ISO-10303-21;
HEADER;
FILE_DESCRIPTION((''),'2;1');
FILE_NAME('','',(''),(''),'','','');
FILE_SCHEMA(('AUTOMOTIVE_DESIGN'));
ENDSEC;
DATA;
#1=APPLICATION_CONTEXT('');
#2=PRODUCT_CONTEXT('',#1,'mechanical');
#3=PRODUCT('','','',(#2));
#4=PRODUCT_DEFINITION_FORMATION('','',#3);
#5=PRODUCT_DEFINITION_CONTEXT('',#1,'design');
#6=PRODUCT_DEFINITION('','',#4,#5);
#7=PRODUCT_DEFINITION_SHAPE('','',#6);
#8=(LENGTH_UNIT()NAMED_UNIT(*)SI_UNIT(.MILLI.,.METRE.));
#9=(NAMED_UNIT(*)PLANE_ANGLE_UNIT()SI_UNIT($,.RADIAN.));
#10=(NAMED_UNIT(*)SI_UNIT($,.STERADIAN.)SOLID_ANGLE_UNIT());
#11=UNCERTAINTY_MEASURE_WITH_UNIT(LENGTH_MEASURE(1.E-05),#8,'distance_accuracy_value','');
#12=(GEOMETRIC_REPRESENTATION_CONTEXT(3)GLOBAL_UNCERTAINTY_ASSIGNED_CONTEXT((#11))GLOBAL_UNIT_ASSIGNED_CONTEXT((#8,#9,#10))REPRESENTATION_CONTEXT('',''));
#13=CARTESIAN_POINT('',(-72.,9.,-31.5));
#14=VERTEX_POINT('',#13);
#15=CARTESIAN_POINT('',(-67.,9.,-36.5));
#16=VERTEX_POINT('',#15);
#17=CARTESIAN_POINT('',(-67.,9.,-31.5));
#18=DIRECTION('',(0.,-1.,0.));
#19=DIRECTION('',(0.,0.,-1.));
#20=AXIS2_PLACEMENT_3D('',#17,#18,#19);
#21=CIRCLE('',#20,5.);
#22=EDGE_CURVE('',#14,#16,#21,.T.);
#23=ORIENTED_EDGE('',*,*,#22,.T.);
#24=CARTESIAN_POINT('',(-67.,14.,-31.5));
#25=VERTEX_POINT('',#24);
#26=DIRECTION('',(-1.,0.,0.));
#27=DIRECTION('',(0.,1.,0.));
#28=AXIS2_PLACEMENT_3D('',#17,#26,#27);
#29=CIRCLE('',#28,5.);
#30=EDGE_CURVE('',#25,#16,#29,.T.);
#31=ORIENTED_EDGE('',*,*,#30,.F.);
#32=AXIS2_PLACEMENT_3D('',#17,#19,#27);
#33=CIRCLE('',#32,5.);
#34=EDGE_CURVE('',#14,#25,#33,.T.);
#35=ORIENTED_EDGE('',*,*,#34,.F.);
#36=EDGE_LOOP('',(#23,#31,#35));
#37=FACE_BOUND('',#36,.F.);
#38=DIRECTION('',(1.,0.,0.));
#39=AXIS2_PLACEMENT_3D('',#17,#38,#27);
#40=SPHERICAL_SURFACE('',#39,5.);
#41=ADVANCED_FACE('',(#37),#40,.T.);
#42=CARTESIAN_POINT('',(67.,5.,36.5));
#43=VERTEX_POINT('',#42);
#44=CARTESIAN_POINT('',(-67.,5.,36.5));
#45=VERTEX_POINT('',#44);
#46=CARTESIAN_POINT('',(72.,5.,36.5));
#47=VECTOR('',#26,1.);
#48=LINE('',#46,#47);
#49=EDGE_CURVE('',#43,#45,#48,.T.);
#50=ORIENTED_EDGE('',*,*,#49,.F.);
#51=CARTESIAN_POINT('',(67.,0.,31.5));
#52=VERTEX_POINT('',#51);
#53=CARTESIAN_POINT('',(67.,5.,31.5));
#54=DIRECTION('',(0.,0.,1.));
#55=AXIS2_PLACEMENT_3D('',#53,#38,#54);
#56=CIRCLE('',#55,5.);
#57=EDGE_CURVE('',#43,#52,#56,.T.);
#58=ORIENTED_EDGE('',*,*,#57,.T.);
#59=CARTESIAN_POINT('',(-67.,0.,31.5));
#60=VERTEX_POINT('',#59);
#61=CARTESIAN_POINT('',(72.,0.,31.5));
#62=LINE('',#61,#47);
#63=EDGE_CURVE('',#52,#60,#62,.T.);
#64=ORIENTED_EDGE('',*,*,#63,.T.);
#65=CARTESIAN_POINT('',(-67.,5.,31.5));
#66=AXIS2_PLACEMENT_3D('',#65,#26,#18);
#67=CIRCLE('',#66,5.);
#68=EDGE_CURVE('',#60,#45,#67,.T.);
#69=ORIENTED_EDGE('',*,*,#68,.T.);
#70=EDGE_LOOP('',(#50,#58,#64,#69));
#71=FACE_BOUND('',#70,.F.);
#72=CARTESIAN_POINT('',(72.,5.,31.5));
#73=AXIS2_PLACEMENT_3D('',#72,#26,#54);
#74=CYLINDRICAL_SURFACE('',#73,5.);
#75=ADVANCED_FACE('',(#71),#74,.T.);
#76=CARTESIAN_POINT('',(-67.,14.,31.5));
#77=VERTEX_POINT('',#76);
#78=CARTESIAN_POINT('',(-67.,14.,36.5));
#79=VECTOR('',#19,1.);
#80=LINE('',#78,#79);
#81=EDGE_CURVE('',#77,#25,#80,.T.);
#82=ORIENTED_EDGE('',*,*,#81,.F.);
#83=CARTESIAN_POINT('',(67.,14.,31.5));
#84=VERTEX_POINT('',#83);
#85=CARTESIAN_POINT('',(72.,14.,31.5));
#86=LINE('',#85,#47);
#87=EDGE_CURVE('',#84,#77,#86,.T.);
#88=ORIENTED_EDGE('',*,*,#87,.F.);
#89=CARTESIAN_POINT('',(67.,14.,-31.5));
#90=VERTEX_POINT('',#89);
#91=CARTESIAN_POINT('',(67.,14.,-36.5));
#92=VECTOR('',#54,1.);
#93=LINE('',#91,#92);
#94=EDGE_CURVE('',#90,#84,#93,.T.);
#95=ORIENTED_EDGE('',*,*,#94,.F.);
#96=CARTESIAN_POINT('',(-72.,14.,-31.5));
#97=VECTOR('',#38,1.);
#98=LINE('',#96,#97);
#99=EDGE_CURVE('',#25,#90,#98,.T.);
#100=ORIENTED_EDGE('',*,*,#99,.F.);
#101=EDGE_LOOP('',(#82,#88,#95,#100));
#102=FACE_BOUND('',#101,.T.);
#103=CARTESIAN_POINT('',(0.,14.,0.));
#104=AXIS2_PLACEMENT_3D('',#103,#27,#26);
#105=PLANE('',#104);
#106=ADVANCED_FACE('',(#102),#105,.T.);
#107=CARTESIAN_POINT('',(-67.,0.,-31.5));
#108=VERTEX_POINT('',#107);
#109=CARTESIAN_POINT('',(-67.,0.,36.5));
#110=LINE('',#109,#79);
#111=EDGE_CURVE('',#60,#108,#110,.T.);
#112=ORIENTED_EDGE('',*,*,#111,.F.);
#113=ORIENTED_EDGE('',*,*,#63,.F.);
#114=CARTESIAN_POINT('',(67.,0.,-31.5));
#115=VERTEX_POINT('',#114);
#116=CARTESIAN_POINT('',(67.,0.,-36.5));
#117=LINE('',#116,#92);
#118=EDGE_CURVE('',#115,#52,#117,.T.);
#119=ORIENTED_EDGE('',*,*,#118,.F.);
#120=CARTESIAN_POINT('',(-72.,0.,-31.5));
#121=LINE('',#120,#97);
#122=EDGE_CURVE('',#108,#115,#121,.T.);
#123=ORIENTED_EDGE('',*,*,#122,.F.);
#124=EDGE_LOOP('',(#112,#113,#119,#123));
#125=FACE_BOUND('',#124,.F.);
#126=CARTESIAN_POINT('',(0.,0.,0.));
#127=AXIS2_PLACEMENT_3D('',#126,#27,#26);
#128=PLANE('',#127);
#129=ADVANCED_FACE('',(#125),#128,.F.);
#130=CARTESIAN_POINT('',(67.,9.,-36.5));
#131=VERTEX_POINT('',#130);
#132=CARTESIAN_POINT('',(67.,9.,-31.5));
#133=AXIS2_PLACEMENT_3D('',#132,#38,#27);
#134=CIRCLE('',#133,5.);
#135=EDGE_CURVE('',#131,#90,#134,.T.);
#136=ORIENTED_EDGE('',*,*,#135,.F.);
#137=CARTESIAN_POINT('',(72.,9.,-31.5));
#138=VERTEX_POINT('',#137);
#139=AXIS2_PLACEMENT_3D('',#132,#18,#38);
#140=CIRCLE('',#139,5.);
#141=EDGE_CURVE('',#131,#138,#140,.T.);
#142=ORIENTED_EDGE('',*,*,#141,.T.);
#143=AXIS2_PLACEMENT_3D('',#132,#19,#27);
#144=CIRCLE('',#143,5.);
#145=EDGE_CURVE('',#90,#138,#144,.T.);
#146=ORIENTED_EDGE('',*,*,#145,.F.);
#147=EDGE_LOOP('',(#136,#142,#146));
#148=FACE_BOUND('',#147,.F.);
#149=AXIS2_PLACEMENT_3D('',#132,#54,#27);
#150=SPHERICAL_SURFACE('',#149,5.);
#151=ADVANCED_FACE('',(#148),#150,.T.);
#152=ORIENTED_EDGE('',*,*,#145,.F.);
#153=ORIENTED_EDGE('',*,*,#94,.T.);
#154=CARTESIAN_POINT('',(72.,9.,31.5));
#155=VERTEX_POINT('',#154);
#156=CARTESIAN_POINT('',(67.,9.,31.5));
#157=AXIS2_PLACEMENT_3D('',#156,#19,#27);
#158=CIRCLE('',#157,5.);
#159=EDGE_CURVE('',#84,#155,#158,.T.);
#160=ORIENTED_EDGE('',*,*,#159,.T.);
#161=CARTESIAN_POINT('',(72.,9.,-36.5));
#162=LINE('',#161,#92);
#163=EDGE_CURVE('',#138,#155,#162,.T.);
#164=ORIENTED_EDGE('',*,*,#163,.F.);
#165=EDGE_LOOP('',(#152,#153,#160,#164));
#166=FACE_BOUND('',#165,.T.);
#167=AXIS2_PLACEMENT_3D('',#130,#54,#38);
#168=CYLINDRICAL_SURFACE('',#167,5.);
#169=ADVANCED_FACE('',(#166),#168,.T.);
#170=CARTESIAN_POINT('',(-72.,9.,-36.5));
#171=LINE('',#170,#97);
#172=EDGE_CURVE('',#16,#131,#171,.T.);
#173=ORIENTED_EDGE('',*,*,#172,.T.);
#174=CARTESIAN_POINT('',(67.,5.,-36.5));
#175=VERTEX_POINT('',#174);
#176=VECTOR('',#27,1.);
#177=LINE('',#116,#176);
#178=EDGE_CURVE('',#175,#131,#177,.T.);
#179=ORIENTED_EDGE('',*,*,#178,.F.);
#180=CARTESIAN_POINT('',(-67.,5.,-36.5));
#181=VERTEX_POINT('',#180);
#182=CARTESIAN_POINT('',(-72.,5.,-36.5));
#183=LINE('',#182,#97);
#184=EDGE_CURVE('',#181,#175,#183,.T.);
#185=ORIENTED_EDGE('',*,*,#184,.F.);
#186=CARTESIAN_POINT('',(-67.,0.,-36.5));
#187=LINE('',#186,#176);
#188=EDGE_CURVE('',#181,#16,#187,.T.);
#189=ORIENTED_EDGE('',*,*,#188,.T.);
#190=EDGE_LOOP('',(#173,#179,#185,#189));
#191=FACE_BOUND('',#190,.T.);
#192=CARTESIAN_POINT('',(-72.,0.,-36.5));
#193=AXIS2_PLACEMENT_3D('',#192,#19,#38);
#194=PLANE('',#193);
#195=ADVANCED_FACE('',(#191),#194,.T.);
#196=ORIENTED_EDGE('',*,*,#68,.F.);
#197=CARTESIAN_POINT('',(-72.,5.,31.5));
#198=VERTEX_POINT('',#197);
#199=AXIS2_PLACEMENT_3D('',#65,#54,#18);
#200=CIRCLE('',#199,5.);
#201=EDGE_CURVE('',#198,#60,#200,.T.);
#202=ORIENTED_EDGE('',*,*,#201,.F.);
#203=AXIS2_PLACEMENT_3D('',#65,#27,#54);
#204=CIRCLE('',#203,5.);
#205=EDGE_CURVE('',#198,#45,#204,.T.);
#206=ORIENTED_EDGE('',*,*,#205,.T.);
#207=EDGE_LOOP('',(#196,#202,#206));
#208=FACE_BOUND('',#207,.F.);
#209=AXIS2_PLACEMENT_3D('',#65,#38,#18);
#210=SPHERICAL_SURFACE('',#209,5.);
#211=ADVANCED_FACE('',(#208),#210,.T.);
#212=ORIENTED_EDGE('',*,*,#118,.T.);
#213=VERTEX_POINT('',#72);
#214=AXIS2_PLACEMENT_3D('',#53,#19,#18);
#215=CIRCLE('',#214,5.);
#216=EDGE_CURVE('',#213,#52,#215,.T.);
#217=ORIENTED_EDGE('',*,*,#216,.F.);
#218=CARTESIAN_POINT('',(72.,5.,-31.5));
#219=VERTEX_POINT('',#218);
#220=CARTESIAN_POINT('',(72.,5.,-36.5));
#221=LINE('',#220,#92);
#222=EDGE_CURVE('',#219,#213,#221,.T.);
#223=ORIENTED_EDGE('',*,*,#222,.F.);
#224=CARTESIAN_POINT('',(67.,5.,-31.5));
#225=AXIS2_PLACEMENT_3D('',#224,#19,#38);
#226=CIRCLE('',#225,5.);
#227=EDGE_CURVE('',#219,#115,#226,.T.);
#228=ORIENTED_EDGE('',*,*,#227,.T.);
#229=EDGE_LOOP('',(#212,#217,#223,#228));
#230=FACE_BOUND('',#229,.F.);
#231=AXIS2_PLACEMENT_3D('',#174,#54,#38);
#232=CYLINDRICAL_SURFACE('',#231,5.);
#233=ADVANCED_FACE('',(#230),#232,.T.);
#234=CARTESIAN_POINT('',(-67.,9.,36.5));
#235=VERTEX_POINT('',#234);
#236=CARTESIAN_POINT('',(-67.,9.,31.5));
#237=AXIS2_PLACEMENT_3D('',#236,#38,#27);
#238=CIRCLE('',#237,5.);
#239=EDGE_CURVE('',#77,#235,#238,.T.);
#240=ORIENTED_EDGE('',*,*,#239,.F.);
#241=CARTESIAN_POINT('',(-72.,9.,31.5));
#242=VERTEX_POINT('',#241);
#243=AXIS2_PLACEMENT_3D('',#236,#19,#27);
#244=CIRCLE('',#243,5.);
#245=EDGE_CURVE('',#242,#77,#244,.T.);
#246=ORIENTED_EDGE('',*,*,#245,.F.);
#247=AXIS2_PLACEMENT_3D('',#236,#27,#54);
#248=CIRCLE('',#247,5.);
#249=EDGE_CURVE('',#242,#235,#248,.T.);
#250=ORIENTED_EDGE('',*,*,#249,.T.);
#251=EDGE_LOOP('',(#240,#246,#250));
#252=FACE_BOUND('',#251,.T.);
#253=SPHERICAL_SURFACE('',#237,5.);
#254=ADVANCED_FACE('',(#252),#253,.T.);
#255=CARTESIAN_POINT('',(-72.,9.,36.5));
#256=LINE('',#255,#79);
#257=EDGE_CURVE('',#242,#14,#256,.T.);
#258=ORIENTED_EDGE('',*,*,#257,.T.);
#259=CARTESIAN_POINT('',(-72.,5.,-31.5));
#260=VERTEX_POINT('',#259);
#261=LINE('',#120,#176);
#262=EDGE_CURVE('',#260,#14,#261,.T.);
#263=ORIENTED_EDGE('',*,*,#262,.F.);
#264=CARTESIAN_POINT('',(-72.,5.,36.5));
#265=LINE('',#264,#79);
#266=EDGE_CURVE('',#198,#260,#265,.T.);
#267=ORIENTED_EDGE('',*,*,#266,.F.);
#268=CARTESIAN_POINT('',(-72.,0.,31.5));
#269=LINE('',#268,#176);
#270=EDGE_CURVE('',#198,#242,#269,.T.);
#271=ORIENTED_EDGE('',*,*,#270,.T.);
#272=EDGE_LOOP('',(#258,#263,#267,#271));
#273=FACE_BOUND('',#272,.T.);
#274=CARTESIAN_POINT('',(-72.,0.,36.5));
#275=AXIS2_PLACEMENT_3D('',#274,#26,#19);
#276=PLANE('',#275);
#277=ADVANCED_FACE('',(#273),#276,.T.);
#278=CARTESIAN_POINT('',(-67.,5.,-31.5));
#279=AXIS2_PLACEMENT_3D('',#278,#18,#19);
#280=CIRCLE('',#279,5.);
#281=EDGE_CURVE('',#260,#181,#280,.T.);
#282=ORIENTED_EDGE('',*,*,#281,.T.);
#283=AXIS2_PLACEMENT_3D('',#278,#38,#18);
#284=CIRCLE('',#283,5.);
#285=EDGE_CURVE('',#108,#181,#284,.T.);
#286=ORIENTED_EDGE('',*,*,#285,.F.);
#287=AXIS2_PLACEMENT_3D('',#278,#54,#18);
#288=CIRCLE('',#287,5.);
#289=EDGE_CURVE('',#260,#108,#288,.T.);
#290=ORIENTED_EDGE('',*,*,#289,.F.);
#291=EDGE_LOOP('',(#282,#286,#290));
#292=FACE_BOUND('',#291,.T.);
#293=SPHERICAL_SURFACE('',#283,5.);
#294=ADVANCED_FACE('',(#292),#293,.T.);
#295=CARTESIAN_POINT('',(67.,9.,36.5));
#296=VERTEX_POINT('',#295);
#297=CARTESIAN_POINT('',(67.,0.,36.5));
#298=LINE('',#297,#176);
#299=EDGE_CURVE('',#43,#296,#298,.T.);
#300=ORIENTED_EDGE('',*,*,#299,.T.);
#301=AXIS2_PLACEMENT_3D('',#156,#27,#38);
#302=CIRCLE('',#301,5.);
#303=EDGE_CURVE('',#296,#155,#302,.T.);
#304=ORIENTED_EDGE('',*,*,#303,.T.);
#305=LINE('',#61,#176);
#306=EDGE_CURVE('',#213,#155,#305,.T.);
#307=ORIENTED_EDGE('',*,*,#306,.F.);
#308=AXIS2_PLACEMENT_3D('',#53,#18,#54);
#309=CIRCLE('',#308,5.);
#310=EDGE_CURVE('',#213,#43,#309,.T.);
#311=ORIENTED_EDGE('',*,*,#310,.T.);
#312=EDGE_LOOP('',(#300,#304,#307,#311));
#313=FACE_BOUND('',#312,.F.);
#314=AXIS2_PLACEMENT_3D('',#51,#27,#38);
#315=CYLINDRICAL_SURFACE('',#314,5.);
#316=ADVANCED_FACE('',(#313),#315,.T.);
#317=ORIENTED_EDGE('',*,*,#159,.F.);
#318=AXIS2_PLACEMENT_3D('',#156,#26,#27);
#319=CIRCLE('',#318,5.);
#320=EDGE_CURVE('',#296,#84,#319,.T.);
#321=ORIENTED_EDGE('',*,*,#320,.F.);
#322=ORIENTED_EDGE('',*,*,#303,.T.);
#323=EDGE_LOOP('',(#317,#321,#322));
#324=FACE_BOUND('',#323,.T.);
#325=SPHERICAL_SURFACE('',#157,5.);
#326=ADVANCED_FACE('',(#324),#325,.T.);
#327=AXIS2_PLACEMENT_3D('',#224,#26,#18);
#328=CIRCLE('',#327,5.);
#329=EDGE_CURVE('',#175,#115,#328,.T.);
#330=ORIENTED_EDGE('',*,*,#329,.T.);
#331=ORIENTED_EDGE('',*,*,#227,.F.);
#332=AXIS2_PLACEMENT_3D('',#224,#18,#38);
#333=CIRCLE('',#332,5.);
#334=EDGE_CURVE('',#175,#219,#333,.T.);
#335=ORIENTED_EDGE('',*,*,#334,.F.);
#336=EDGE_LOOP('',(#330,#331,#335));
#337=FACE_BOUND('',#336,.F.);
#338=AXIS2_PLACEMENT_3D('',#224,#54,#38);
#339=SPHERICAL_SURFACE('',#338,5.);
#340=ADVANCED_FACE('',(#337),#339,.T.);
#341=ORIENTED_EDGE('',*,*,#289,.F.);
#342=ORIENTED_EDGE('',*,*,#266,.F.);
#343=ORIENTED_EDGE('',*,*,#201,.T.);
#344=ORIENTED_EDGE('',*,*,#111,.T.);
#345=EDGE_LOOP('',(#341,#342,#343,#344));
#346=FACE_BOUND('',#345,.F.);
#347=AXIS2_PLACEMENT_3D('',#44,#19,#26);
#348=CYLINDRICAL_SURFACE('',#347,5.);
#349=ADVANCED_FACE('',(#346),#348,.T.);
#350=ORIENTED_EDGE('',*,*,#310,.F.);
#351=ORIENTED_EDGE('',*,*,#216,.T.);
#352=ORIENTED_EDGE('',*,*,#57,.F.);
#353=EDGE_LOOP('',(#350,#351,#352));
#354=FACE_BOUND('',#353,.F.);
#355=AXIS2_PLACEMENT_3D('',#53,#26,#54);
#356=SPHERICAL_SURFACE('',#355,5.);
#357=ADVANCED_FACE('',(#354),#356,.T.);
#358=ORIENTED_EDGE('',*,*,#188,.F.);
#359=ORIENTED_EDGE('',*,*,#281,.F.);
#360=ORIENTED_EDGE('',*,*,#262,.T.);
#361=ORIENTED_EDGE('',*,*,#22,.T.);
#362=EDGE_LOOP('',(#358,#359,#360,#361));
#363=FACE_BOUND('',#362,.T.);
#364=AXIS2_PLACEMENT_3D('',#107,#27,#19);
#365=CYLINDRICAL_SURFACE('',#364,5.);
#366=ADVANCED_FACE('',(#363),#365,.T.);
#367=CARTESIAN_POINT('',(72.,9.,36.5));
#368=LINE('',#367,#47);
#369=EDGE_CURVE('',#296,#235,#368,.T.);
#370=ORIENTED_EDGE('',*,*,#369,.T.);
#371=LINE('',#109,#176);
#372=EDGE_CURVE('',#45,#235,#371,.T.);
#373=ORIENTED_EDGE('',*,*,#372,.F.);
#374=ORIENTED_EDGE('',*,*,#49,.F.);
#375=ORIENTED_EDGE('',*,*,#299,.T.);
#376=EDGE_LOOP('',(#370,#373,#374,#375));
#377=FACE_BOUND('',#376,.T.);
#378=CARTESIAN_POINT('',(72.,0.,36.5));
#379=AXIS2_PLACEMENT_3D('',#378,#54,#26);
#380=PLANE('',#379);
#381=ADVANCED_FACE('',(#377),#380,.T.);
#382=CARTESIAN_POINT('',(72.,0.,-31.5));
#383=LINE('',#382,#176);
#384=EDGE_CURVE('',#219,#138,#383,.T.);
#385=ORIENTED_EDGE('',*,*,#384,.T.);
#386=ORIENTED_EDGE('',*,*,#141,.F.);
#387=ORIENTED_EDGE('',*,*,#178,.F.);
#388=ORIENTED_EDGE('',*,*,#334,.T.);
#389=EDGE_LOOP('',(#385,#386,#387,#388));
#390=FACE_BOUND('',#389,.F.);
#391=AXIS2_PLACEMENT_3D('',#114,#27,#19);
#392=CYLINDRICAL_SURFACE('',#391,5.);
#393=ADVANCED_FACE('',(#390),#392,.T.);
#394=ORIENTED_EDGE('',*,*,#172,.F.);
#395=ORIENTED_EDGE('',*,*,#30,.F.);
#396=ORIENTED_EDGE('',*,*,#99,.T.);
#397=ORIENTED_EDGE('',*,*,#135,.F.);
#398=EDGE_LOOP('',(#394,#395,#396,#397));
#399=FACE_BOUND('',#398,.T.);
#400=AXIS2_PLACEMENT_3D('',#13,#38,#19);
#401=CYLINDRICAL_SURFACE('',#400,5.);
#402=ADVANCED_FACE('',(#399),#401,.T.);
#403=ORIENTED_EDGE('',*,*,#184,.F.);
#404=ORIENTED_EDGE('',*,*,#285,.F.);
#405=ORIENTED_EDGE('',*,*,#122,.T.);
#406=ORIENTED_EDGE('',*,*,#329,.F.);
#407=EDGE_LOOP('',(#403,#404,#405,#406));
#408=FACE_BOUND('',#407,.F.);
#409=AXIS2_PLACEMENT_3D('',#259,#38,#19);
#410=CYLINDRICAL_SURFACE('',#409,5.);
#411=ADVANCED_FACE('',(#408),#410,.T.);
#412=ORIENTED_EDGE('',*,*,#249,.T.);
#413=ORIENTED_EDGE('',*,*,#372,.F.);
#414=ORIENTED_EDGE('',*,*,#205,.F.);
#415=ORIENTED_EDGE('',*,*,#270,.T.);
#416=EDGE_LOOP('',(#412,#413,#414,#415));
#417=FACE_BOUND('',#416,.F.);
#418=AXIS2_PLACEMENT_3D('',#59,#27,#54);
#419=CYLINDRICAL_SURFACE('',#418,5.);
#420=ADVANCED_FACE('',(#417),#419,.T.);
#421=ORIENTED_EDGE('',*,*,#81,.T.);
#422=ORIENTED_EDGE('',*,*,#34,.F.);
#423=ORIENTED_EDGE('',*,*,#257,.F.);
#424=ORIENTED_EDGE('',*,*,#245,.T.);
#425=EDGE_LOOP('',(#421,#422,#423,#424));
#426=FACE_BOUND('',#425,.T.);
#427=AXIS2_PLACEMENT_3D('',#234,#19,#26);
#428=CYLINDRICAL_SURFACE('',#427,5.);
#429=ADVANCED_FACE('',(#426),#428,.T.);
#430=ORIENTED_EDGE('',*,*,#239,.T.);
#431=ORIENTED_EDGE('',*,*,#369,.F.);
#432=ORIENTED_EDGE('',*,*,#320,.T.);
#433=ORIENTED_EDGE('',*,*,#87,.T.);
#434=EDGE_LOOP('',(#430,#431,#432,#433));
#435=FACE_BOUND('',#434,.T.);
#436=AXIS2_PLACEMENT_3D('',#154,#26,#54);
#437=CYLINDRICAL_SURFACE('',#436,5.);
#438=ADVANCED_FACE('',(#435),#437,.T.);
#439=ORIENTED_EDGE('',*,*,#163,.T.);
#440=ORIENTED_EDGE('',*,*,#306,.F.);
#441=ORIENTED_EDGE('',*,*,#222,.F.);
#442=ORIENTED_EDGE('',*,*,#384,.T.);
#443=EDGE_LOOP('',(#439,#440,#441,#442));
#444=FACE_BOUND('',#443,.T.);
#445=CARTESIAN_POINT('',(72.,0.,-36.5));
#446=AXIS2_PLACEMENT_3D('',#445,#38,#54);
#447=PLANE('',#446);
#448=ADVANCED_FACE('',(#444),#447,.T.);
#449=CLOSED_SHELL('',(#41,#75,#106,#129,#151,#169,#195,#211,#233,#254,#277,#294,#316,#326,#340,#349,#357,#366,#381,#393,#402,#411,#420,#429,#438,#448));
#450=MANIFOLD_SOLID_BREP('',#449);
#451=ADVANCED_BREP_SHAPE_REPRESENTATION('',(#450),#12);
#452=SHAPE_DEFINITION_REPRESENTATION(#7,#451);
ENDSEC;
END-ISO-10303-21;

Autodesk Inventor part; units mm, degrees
ref_plane "YZ Plane" through (0, 0, 0) normal (1, 0, 0) x (0, 1, 0)
ref_plane "XZ Plane" through (0, 0, 0) normal (0, 1, 0) x (-1, 0, 0)
ref_plane "XY Plane" through (0, 0, 0) normal (0, 0, 1) x (1, 0, 0)
sketch "Sketch1" plane through (0, 0, 0) normal (0, 1, 0) x (-1, 0, 0)
  line L0 (72, -36.5) -> (-72, -36.5)
  line L1 (-72, -36.5) -> (-72, 36.5)
  line L2 (-72, 36.5) -> (72, 36.5)
  line L3 (72, 36.5) -> (72, -36.5)
  line L4 (72, -36.5) -> (-72, 36.5) construction
  line L5 (-72, -36.5) -> (72, 36.5) construction
  point P0 (0, 0)
  dimension "d0" = 144
  dimension "d1" = 73
extrude "Extrusion1" add sketch "Sketch1" along normal blind 14
fillet "Fillet1" radius 5 12 edges at (72, 14, 0) (0, 14, 36.5) (0, 14, -36.5) (-72, 14, 0) (0, 0, 36.5) (72, 7, 36.5) (72, 0, 0) (72, 7, -36.5) (0, 0, -36.5) (-72, 0, 0) (-72, 7, -36.5) (-72, 7, 36.5)
properties part number "powerbank" material "CFRP"
